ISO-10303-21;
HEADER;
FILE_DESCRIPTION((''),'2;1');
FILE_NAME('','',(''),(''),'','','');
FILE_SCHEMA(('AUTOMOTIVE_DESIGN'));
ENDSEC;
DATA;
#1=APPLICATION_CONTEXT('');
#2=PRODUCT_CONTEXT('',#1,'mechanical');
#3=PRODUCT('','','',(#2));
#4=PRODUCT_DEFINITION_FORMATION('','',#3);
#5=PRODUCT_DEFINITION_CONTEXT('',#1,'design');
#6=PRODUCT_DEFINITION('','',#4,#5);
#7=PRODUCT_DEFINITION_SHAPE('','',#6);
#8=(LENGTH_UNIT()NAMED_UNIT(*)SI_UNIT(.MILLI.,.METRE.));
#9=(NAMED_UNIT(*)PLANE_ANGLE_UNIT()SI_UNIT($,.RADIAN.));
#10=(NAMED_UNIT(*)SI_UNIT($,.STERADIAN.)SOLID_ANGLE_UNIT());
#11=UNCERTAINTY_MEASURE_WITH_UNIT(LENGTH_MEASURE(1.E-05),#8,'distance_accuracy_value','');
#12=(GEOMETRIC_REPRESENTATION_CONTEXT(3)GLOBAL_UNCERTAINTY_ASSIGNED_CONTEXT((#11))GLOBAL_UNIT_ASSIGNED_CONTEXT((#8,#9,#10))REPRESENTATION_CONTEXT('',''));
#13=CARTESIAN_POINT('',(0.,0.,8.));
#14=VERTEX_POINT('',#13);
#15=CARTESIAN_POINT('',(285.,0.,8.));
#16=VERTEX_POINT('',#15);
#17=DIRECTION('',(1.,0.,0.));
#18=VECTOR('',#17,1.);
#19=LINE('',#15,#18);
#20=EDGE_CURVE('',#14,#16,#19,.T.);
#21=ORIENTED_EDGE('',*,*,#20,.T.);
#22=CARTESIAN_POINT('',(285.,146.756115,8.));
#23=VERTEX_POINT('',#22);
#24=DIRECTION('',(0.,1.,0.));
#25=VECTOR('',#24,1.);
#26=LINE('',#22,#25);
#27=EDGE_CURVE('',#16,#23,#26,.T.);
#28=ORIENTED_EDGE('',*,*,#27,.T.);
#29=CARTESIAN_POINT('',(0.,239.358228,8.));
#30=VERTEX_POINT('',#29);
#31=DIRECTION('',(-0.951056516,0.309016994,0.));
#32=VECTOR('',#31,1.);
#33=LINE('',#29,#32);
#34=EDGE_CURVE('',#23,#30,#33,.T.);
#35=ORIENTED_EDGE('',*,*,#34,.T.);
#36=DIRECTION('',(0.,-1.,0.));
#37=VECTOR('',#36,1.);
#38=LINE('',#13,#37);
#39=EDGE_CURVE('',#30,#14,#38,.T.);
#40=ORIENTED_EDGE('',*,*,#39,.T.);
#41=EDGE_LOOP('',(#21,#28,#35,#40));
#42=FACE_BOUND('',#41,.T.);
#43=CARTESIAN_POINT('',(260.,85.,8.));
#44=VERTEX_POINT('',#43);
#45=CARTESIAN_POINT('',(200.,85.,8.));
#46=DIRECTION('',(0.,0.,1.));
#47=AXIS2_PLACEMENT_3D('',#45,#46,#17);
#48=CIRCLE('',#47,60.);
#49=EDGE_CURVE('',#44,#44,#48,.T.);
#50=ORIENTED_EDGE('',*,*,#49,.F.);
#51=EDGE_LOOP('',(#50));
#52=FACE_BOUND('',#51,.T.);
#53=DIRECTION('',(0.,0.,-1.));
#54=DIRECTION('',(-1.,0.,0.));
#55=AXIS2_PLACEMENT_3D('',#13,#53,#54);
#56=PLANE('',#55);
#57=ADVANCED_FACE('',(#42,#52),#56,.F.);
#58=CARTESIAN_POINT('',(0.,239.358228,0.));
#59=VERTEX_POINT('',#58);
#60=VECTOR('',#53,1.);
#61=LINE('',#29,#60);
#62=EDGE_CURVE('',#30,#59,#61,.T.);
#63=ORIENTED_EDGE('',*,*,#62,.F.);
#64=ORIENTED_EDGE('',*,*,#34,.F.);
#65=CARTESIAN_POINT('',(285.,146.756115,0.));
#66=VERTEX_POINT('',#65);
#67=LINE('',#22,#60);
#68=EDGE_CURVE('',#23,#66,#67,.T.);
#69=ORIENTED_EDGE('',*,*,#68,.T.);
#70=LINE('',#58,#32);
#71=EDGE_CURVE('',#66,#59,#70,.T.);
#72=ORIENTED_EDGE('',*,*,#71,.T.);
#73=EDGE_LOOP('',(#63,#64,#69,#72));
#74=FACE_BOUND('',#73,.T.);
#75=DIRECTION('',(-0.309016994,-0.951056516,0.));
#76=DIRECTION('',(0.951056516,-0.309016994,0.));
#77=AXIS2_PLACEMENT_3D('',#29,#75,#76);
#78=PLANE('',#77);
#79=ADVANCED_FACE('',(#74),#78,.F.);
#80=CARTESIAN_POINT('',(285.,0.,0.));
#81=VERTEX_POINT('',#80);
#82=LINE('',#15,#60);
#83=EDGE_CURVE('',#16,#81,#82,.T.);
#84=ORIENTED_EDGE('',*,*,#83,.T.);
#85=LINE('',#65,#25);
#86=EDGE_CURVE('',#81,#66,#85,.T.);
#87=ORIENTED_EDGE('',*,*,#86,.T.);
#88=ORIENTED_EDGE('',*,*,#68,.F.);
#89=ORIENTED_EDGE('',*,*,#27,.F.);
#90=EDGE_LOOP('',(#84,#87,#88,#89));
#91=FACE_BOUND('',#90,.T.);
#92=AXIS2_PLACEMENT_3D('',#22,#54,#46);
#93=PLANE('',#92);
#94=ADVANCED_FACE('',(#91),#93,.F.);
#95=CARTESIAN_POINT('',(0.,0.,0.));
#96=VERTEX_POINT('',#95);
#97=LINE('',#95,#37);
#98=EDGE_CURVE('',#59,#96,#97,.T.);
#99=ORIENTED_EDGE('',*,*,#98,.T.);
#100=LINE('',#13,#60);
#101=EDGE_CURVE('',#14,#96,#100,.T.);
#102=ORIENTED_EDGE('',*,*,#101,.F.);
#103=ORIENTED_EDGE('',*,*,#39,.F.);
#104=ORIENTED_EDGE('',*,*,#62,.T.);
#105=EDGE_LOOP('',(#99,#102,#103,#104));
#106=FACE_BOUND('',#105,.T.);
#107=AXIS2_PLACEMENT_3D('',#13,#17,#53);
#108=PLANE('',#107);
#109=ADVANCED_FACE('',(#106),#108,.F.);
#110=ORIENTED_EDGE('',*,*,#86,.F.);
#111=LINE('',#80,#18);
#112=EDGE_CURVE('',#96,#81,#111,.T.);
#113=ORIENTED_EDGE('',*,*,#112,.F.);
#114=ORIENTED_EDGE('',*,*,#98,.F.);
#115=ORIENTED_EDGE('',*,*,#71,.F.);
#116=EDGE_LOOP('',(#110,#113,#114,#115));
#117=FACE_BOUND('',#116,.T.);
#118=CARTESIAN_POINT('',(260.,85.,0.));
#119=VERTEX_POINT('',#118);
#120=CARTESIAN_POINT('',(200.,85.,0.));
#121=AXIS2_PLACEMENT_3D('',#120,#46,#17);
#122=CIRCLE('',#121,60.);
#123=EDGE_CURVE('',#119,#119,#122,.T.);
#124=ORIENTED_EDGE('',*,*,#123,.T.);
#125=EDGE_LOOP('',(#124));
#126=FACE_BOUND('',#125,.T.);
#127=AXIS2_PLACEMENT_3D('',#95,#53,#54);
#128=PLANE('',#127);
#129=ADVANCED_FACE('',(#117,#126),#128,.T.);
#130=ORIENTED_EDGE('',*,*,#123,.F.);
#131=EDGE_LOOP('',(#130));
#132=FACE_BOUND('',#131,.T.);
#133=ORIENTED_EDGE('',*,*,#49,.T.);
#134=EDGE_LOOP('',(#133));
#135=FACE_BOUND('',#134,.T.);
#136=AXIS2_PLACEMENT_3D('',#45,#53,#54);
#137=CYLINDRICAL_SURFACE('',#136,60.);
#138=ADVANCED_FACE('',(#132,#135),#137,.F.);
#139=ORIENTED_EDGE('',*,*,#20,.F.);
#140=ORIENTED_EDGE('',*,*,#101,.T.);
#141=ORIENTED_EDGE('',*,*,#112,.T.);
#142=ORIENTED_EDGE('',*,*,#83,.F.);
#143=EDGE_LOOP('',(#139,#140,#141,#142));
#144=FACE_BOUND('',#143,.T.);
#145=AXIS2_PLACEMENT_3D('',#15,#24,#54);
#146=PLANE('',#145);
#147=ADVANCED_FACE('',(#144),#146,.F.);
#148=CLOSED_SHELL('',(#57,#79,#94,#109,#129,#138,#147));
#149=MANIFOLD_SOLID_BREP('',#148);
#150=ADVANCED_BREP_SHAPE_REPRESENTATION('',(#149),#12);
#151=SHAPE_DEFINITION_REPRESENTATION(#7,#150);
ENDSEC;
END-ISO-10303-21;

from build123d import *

# Parameters (mm, degrees)
SKETCH_1_R      = 60
EXTRUDE_1_DEPTH = 8


with BuildPart() as part:
    # 草图1 → 凸台-拉伸1 (new body)
    with BuildSketch(Plane.XY):
        Polygon((0, 0), (0, 239.358228307), (285, 146.75611488), (285, 0), align=None)
        with Locations((200, 85)):
            Circle(SKETCH_1_R, mode=Mode.SUBTRACT)
    extrude(amount=EXTRUDE_1_DEPTH)


solid = part.part
